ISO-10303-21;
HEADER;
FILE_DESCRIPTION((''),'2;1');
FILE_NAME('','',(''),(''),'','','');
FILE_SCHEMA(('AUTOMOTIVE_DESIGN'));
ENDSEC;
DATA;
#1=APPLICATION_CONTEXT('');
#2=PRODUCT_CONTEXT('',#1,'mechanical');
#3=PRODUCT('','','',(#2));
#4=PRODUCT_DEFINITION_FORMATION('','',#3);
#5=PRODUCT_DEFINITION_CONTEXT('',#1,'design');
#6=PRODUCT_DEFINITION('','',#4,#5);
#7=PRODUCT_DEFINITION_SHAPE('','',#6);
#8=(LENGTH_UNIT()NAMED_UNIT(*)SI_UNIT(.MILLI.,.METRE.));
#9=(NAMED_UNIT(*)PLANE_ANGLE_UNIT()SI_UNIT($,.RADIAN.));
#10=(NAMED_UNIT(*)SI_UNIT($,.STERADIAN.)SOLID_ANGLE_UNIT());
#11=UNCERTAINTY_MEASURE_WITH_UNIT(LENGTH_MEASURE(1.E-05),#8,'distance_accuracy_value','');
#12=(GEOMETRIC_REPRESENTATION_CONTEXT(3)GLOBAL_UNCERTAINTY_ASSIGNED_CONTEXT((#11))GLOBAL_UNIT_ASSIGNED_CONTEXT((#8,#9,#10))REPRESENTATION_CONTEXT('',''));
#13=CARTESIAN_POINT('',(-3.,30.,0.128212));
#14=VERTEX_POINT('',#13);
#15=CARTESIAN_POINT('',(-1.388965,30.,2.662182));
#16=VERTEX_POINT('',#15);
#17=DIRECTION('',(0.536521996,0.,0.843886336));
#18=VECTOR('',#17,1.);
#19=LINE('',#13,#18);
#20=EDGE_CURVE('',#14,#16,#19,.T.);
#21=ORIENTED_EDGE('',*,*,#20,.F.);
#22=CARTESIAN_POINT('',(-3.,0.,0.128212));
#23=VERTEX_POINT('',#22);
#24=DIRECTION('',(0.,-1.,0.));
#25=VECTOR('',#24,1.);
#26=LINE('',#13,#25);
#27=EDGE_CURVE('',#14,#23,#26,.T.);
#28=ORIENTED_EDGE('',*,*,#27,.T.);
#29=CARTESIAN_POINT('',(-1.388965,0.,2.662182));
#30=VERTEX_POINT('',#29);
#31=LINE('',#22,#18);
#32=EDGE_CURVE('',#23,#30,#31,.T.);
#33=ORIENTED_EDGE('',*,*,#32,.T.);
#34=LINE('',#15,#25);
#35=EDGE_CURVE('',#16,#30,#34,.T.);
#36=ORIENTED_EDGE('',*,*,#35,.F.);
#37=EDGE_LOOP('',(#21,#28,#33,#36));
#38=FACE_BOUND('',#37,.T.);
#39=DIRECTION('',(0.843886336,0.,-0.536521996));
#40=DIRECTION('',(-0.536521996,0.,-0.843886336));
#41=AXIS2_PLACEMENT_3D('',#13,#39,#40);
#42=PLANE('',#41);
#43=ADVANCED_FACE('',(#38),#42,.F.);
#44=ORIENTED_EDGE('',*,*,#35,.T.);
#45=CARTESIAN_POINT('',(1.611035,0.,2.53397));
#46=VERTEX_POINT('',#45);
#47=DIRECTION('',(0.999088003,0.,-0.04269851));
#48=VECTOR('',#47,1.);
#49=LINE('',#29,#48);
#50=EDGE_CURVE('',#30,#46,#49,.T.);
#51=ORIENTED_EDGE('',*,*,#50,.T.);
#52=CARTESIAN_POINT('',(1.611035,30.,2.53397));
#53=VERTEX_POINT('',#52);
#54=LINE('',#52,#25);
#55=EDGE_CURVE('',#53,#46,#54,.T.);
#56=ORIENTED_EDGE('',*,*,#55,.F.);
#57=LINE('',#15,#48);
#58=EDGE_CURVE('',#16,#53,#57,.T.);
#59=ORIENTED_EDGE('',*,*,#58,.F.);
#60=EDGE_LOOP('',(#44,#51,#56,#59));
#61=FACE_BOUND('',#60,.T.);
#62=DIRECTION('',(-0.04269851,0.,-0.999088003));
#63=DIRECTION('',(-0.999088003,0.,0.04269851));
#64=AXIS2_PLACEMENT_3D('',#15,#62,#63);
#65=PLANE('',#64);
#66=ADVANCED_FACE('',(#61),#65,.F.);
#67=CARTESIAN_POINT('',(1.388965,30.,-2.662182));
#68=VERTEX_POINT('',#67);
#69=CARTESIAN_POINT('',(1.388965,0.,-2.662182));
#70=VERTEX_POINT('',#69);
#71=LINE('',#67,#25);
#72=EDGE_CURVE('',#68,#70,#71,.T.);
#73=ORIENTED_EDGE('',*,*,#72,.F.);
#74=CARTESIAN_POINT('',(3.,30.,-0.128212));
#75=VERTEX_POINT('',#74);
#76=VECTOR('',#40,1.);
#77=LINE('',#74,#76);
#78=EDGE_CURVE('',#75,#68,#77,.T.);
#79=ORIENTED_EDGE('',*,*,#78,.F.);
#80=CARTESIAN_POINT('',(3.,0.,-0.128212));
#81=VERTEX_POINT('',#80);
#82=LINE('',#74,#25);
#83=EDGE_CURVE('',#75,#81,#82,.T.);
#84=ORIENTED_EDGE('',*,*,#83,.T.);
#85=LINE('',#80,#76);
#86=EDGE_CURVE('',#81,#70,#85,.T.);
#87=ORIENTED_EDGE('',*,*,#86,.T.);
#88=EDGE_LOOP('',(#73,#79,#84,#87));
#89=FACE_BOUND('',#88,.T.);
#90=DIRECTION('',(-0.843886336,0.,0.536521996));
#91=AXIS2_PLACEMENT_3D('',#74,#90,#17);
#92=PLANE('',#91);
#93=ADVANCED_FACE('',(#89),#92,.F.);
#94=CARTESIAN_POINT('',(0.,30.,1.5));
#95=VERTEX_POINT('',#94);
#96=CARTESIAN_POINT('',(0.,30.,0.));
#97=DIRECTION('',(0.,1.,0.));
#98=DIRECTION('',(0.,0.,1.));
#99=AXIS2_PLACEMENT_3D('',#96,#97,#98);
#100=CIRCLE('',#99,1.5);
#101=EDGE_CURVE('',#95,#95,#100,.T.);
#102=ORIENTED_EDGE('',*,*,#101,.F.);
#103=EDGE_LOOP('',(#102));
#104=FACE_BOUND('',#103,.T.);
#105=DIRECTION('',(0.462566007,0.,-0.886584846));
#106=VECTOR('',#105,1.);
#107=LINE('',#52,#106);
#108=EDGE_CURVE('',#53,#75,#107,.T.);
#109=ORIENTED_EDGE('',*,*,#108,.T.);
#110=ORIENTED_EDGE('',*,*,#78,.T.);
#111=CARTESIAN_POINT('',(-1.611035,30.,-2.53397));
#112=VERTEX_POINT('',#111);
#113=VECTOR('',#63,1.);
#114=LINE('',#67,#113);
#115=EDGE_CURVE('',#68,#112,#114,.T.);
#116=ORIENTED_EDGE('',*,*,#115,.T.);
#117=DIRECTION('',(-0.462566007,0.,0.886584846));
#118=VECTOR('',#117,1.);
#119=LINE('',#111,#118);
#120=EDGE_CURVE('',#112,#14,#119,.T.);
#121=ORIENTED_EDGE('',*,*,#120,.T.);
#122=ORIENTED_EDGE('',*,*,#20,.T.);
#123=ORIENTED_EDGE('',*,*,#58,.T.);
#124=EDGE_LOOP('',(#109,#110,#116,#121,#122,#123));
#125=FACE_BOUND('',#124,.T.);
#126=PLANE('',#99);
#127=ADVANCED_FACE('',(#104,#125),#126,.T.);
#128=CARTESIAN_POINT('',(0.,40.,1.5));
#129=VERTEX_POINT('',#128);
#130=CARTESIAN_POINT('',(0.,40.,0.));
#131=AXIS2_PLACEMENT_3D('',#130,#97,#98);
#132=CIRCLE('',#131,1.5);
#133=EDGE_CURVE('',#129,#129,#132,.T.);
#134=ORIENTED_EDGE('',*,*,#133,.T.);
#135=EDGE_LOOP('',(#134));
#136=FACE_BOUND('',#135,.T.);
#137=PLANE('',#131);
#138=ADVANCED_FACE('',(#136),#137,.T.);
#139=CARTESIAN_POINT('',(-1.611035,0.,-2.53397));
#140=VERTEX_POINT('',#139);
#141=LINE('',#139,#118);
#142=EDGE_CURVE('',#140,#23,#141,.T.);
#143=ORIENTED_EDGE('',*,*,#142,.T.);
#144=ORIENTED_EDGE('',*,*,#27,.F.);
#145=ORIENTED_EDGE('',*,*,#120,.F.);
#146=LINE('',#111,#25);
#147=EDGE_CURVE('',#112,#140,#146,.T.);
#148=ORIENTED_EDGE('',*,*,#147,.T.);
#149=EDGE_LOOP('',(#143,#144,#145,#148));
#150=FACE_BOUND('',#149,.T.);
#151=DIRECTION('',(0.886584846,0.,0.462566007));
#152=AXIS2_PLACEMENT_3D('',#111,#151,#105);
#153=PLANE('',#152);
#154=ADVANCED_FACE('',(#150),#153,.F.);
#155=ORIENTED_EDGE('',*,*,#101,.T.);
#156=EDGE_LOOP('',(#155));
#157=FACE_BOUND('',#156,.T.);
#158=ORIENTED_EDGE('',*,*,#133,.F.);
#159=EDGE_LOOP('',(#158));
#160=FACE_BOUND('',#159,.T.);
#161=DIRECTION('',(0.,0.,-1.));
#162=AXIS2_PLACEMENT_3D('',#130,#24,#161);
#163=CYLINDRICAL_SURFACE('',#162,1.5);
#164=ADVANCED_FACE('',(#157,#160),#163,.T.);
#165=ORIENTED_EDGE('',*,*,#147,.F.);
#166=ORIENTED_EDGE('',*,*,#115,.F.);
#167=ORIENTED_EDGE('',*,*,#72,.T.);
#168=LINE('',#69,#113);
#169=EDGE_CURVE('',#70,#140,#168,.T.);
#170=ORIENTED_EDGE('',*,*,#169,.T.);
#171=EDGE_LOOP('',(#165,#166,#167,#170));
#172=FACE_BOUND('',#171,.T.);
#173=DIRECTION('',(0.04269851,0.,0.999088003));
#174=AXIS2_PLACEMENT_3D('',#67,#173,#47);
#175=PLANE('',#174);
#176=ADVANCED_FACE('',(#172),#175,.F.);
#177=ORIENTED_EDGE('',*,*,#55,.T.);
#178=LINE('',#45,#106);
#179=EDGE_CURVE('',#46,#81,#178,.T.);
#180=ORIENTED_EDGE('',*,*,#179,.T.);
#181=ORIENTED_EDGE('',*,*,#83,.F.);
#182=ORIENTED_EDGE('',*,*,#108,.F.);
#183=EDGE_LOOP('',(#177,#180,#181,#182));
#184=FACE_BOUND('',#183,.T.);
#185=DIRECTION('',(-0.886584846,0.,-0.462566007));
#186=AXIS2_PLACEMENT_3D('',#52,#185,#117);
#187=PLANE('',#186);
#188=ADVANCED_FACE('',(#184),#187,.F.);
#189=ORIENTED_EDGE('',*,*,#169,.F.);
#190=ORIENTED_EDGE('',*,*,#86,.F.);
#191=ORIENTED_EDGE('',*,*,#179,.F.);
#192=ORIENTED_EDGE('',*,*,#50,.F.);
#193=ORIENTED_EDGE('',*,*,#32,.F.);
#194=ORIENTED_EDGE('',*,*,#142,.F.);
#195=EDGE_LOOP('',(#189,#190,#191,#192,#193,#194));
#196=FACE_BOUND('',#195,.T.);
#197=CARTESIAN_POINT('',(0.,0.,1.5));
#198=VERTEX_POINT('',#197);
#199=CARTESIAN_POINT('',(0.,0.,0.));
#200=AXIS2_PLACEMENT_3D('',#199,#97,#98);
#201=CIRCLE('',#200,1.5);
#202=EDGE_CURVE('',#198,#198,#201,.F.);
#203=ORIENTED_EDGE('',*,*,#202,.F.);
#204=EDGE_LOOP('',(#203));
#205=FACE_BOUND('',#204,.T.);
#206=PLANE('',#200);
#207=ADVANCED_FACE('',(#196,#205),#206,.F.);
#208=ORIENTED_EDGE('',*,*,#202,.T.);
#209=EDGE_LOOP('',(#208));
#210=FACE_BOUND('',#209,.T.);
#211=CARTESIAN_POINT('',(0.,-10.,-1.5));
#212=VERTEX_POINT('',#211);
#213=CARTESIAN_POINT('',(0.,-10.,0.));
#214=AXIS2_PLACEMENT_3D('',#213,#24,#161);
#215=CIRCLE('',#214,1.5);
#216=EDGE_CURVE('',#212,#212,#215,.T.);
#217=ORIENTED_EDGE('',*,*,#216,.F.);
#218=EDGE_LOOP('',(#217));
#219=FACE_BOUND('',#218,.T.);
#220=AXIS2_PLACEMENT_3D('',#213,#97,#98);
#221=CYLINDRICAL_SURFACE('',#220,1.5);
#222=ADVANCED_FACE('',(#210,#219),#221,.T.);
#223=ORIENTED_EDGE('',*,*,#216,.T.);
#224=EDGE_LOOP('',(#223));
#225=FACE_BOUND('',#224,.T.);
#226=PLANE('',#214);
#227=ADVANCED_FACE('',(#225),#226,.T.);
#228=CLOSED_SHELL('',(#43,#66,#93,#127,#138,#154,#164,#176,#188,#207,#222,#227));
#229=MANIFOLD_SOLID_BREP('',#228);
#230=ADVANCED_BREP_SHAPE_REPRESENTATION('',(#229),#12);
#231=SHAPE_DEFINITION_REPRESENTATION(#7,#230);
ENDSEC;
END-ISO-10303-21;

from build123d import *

# Parameters (mm, degrees)
BOSS_EXTRUDE1_DEPTH = 30
SKETCH4_R           = 1.5
BOSS_EXTRUDE2_DEPTH = 10
BOSS_EXTRUDE3_START = 10
SKETCH5_R           = 1.5
BOSS_EXTRUDE3_DEPTH = 10


with BuildPart() as part:
    # Sketch3 → Boss-Extrude1 (new body)
    with BuildSketch(Plane(origin=(0, 0, 0), x_dir=(1, 0, 0), z_dir=(0, 1, 0))):
        Polygon((1.388964752, 2.662182442), (-1.611035248, 2.533969981), (-3, -0.12821246), (-1.388964752, -2.662182442), (1.611035248, -2.533969981), (3, 0.12821246), align=None)
    extrude(amount=BOSS_EXTRUDE1_DEPTH)

    # Sketch4 → Boss-Extrude2 (add)
    with BuildSketch(Plane(origin=(0, 30, 0), x_dir=(1, 0, 0), z_dir=(0, 1, 0))):
        with Locations(Location((0, 0, 0), (0, 0, 270))):
            Circle(SKETCH4_R)
    extrude(amount=BOSS_EXTRUDE2_DEPTH)

    # Sketch5 → Boss-Extrude3 (add)
    with BuildSketch(Plane.XZ.offset(BOSS_EXTRUDE3_START)):
        with Locations(Location((0, 0, 0), (0, 0, 90))):
            Circle(SKETCH5_R)
    extrude(amount=-BOSS_EXTRUDE3_DEPTH)


solid = part.part
